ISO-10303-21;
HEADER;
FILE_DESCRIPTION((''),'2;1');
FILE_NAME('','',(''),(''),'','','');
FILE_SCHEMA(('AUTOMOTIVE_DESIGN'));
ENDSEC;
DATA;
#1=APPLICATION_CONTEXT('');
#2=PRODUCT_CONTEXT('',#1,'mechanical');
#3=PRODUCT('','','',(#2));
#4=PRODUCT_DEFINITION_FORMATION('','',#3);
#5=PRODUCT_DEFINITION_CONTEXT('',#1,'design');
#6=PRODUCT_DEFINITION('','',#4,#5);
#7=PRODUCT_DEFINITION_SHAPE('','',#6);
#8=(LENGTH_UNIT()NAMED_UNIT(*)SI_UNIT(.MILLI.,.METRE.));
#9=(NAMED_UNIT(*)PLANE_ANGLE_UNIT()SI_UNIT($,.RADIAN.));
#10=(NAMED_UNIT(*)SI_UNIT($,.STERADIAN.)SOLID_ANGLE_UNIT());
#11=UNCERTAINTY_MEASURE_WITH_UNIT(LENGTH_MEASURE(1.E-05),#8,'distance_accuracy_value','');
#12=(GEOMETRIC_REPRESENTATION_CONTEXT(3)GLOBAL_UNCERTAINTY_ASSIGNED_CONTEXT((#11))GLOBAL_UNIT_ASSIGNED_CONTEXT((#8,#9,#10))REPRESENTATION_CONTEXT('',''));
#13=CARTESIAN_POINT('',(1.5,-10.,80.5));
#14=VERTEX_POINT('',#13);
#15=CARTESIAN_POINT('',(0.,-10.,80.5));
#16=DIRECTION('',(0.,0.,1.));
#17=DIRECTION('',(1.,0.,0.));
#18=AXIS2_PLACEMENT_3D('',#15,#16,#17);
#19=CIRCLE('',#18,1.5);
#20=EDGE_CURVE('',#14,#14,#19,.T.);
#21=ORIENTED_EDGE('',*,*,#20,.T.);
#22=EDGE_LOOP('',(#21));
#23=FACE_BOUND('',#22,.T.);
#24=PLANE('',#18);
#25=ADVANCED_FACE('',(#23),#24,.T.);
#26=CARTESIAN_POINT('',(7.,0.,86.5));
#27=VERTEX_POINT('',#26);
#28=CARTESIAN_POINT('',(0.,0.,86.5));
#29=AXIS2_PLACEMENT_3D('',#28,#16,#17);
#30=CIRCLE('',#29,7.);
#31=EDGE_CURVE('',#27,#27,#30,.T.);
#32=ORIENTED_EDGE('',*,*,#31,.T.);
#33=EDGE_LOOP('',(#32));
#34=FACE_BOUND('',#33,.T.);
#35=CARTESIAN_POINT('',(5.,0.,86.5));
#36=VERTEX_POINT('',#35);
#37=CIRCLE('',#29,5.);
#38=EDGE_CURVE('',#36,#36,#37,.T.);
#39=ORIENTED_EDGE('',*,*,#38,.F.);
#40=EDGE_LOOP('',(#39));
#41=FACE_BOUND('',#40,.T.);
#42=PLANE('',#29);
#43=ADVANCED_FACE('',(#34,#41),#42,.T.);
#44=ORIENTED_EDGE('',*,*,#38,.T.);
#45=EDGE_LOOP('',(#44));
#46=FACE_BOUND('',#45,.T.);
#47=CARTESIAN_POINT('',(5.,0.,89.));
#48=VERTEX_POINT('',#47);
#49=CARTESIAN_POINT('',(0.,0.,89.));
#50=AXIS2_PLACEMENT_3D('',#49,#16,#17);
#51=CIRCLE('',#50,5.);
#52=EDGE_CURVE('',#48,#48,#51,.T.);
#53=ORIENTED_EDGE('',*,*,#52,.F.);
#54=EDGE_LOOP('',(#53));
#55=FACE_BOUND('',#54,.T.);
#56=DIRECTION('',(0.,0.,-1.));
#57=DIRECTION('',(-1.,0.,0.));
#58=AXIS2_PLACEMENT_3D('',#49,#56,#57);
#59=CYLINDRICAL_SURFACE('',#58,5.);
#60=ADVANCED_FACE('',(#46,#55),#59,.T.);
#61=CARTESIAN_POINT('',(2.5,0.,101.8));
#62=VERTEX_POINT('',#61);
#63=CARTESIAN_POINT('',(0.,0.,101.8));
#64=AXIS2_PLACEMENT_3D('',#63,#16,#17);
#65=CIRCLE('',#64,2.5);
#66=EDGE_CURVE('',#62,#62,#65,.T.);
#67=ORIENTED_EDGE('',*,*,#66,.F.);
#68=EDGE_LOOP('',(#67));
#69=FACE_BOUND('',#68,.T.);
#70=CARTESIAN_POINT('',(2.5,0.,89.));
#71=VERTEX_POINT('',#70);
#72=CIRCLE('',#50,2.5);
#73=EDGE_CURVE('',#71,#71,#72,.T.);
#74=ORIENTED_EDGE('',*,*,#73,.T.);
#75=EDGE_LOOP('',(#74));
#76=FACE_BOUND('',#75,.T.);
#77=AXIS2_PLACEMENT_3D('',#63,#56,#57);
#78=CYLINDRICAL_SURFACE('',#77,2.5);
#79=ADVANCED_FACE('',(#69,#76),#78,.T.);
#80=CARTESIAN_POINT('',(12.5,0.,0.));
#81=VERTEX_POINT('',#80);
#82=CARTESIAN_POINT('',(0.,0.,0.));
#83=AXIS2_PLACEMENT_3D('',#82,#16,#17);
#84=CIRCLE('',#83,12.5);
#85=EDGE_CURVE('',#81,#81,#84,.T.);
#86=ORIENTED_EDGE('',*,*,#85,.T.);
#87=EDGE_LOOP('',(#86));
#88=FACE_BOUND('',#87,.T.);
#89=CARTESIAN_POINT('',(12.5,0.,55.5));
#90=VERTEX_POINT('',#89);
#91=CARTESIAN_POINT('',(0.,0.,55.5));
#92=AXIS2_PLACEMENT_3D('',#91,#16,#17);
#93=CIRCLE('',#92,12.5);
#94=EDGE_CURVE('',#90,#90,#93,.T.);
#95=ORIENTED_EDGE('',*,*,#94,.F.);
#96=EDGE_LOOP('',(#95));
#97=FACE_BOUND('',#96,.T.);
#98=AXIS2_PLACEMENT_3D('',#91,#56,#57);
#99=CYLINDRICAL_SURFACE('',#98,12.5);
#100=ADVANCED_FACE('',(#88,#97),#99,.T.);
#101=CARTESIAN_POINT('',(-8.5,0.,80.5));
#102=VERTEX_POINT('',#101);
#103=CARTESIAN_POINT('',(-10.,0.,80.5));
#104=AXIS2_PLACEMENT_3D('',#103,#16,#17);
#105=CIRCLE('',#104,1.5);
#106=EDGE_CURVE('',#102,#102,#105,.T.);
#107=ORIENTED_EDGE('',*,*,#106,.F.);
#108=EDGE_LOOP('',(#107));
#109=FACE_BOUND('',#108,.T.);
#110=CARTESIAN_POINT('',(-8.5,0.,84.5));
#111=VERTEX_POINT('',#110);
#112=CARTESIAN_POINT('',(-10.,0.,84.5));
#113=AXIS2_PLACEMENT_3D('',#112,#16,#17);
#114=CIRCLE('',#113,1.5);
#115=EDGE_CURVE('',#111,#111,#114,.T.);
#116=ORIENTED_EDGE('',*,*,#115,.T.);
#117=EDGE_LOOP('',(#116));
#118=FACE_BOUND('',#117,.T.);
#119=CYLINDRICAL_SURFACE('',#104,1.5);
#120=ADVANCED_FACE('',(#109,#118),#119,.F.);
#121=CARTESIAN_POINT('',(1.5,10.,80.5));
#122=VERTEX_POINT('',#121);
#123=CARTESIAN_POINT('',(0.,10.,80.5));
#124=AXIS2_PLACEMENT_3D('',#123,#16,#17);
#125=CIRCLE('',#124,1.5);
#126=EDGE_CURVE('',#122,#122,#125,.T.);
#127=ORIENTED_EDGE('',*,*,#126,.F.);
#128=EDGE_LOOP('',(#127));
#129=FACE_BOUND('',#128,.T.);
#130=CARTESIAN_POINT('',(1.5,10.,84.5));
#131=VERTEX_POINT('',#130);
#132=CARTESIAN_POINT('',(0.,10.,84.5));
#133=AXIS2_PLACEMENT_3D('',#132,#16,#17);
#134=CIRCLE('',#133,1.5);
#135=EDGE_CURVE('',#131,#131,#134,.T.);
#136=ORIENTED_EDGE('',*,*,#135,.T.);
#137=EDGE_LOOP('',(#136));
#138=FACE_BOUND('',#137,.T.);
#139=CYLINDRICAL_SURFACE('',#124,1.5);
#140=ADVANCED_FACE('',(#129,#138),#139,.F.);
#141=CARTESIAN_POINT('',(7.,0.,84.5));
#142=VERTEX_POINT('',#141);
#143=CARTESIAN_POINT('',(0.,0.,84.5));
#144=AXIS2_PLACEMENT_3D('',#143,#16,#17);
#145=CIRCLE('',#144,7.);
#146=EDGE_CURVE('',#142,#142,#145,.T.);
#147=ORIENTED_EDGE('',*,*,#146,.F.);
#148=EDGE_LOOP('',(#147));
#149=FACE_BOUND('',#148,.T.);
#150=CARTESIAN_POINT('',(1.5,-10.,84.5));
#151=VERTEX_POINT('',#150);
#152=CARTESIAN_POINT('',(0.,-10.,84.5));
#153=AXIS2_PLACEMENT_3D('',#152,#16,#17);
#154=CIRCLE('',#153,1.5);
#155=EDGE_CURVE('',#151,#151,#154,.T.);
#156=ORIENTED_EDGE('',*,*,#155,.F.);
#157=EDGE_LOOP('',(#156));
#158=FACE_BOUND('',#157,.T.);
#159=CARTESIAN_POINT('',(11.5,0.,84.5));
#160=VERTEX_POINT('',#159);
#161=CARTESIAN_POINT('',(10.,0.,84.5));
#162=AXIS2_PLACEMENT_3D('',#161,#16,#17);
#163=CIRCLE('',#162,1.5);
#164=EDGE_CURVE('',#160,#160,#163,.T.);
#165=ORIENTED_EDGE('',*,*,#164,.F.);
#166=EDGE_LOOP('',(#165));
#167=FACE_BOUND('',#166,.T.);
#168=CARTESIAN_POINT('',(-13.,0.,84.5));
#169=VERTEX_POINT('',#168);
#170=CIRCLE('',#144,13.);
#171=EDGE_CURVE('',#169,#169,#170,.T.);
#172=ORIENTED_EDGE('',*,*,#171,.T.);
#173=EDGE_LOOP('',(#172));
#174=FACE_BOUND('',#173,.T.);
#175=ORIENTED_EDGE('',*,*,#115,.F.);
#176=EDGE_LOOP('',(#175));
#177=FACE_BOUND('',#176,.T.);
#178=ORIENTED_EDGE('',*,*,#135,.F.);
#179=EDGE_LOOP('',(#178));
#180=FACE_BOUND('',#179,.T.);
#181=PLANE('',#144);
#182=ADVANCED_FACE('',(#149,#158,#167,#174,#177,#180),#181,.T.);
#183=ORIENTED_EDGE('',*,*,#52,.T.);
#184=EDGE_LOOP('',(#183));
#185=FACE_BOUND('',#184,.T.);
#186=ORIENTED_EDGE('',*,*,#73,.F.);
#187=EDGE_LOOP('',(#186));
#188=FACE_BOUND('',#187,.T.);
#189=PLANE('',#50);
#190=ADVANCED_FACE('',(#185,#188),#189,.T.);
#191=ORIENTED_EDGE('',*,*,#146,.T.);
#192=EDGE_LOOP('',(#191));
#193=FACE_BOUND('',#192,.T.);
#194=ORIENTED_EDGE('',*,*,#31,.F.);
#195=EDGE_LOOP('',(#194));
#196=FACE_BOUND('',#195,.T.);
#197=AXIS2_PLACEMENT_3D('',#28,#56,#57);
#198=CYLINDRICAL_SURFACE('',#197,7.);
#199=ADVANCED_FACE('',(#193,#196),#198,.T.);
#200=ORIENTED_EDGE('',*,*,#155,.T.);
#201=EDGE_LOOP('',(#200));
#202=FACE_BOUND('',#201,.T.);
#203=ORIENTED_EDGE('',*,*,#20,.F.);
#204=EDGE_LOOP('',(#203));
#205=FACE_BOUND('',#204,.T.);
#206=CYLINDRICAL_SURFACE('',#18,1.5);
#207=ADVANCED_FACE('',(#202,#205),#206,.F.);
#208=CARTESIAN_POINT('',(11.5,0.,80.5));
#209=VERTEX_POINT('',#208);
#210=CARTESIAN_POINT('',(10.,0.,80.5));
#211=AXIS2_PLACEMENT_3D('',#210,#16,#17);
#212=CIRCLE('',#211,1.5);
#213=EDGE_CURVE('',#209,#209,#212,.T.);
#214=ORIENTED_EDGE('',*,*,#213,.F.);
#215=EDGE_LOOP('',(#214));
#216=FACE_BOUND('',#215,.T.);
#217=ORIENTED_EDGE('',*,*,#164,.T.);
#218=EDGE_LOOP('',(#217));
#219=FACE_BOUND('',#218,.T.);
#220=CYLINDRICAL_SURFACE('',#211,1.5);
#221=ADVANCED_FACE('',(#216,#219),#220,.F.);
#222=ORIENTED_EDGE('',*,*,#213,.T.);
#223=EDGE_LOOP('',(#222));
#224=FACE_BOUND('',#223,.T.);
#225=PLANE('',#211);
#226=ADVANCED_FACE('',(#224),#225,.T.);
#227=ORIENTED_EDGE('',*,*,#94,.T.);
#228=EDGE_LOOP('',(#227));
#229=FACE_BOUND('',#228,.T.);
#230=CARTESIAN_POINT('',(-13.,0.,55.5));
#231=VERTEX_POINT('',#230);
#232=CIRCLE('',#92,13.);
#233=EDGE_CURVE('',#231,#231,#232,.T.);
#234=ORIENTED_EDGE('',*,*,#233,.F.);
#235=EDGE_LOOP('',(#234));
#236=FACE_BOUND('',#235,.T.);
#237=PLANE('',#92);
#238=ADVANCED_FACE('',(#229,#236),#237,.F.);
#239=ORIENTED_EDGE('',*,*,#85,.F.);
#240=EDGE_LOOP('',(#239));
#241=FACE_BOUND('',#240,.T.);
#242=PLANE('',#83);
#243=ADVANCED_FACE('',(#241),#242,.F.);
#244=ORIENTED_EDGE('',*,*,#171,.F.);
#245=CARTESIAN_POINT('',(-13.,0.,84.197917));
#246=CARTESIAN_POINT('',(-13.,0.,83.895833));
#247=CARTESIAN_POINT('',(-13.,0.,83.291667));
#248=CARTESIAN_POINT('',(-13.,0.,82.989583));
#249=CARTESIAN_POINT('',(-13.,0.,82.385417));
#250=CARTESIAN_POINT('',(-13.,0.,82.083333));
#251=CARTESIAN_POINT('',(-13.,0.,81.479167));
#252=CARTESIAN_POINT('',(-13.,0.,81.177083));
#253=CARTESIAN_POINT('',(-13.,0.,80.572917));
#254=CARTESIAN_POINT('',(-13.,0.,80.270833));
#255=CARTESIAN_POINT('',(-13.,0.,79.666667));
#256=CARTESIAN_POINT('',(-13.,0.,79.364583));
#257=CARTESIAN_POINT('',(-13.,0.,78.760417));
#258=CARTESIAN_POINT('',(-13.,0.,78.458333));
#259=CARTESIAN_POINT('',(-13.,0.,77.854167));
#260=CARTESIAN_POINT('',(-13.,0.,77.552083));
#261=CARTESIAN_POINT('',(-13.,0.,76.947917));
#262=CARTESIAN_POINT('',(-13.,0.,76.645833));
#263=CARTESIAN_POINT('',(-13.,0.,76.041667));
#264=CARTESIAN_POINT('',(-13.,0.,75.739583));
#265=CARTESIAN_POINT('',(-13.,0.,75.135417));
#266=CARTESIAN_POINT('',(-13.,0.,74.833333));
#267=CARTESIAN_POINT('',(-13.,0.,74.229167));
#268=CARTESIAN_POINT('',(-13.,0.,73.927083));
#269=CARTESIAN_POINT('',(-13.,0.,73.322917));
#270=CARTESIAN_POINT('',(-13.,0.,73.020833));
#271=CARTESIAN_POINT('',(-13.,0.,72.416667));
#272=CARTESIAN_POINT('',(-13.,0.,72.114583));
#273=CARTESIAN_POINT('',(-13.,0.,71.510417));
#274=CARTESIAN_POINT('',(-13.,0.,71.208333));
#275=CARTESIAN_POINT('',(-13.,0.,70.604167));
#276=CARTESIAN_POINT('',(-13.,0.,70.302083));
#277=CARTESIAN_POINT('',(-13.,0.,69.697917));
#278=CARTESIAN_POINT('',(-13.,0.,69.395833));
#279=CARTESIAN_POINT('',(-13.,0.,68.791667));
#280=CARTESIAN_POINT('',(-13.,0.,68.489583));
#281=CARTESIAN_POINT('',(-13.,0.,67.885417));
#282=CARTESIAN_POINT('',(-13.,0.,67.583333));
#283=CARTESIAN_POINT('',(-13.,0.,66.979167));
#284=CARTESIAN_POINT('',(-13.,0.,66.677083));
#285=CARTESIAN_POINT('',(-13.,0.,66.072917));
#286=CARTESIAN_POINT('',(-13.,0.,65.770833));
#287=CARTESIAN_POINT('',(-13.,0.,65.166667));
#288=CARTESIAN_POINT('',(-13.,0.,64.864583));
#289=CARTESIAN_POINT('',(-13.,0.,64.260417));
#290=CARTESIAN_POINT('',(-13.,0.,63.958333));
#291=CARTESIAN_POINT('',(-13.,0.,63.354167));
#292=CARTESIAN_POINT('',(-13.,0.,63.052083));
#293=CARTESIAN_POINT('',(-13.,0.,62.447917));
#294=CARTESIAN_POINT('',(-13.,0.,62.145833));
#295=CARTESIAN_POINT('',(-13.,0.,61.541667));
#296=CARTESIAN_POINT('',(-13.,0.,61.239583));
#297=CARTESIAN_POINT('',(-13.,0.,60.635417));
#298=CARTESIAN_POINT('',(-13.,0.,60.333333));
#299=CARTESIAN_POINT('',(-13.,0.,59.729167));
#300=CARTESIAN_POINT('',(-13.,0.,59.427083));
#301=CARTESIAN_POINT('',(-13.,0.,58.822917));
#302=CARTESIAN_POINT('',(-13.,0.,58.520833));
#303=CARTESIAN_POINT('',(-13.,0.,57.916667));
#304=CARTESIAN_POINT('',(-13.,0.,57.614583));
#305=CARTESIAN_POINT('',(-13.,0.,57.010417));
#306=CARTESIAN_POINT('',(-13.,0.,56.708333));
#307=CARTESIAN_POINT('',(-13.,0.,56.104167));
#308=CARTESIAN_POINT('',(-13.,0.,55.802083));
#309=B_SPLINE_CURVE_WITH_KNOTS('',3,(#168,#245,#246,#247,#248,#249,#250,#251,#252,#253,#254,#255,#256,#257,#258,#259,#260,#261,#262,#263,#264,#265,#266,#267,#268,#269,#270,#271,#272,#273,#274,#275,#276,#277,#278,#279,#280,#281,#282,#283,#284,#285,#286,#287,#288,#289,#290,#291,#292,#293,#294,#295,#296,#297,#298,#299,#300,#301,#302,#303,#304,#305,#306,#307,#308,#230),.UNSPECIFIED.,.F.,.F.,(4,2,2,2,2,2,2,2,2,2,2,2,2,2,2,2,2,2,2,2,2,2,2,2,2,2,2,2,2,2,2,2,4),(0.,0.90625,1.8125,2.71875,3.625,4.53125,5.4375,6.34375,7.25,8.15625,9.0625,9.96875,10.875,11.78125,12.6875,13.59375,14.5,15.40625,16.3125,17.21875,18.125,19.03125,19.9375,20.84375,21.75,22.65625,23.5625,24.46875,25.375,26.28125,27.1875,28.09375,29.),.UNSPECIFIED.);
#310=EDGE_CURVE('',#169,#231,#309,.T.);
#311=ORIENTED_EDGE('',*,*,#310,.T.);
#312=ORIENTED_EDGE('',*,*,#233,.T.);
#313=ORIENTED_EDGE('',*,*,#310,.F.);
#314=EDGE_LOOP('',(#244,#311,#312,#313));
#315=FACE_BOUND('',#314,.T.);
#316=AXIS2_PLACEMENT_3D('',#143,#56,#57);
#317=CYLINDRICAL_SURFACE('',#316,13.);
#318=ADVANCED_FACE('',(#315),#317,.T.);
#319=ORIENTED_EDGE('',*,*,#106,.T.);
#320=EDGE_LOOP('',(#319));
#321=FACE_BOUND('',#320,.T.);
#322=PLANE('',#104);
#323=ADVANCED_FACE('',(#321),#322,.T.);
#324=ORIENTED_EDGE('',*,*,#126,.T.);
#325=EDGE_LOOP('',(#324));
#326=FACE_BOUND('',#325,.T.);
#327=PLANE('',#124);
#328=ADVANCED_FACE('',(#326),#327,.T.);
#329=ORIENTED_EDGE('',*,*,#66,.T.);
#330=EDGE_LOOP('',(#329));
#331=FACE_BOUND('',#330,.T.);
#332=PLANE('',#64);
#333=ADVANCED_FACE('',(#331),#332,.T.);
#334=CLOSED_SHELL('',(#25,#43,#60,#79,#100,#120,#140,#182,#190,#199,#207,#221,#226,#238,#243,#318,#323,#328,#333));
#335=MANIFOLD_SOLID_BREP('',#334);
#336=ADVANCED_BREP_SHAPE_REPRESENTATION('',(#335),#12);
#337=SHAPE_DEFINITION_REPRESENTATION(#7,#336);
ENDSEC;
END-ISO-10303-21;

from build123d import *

# Parameters (mm, degrees)
SKETCH_1_R          = 12.5
EXTRUDE_1_DEPTH     = 55.5
SKETCH_2_R          = 13
EXTRUDE_1_2_DEPTH   = 29
SKETCH_3_R          = 7
EXTRUDE_2_DEPTH     = 2
SKETCH_4_R          = 5
EXTRUDE_3_DEPTH     = 2.5
SKETCH_5_R          = 2.5
EXTRUDE_4_DEPTH     = 12.8
SKETCH_6_R          = 1.5
CUT_EXTRUDE_1_DEPTH = 4


with BuildPart() as part:
    # 스케치1 → Extrude 1 (new body)
    with BuildSketch(Plane.XY):
        Circle(SKETCH_1_R)
    extrude(amount=EXTRUDE_1_DEPTH)

    # 스케치2 → Extrude 1 2 (add)
    with BuildSketch(Plane.XY.offset(55.5)):
        with Locations(Location((0, 0, 0), (0, 0, 180))):
            Circle(SKETCH_2_R)
    extrude(amount=EXTRUDE_1_2_DEPTH)

    # 스케치3 → 보스-돌출2 (add)
    with BuildSketch(Plane.XY.offset(84.5)):
        Circle(SKETCH_3_R)
    extrude(amount=EXTRUDE_2_DEPTH)

    # 스케치4 → 보스-돌출3 (add)
    with BuildSketch(Plane.XY.offset(86.5)):
        Circle(SKETCH_4_R)
    extrude(amount=EXTRUDE_3_DEPTH)

    # 스케치5 → 보스-돌출4 (add)
    with BuildSketch(Plane.XY.offset(89)):
        Circle(SKETCH_5_R)
    extrude(amount=EXTRUDE_4_DEPTH)

    # 스케치6 → 컷-돌출1 (cut)
    with BuildSketch(Plane.XY.offset(84.5)):
        with Locations((0, 10)):
            Circle(SKETCH_6_R)
        with Locations((10, 0)):
            Circle(SKETCH_6_R)
        with Locations((0, -10)):
            Circle(SKETCH_6_R)
        with Locations((-10, 0)):
            Circle(SKETCH_6_R)
    extrude(amount=-CUT_EXTRUDE_1_DEPTH, mode=Mode.SUBTRACT)


solid = part.part
